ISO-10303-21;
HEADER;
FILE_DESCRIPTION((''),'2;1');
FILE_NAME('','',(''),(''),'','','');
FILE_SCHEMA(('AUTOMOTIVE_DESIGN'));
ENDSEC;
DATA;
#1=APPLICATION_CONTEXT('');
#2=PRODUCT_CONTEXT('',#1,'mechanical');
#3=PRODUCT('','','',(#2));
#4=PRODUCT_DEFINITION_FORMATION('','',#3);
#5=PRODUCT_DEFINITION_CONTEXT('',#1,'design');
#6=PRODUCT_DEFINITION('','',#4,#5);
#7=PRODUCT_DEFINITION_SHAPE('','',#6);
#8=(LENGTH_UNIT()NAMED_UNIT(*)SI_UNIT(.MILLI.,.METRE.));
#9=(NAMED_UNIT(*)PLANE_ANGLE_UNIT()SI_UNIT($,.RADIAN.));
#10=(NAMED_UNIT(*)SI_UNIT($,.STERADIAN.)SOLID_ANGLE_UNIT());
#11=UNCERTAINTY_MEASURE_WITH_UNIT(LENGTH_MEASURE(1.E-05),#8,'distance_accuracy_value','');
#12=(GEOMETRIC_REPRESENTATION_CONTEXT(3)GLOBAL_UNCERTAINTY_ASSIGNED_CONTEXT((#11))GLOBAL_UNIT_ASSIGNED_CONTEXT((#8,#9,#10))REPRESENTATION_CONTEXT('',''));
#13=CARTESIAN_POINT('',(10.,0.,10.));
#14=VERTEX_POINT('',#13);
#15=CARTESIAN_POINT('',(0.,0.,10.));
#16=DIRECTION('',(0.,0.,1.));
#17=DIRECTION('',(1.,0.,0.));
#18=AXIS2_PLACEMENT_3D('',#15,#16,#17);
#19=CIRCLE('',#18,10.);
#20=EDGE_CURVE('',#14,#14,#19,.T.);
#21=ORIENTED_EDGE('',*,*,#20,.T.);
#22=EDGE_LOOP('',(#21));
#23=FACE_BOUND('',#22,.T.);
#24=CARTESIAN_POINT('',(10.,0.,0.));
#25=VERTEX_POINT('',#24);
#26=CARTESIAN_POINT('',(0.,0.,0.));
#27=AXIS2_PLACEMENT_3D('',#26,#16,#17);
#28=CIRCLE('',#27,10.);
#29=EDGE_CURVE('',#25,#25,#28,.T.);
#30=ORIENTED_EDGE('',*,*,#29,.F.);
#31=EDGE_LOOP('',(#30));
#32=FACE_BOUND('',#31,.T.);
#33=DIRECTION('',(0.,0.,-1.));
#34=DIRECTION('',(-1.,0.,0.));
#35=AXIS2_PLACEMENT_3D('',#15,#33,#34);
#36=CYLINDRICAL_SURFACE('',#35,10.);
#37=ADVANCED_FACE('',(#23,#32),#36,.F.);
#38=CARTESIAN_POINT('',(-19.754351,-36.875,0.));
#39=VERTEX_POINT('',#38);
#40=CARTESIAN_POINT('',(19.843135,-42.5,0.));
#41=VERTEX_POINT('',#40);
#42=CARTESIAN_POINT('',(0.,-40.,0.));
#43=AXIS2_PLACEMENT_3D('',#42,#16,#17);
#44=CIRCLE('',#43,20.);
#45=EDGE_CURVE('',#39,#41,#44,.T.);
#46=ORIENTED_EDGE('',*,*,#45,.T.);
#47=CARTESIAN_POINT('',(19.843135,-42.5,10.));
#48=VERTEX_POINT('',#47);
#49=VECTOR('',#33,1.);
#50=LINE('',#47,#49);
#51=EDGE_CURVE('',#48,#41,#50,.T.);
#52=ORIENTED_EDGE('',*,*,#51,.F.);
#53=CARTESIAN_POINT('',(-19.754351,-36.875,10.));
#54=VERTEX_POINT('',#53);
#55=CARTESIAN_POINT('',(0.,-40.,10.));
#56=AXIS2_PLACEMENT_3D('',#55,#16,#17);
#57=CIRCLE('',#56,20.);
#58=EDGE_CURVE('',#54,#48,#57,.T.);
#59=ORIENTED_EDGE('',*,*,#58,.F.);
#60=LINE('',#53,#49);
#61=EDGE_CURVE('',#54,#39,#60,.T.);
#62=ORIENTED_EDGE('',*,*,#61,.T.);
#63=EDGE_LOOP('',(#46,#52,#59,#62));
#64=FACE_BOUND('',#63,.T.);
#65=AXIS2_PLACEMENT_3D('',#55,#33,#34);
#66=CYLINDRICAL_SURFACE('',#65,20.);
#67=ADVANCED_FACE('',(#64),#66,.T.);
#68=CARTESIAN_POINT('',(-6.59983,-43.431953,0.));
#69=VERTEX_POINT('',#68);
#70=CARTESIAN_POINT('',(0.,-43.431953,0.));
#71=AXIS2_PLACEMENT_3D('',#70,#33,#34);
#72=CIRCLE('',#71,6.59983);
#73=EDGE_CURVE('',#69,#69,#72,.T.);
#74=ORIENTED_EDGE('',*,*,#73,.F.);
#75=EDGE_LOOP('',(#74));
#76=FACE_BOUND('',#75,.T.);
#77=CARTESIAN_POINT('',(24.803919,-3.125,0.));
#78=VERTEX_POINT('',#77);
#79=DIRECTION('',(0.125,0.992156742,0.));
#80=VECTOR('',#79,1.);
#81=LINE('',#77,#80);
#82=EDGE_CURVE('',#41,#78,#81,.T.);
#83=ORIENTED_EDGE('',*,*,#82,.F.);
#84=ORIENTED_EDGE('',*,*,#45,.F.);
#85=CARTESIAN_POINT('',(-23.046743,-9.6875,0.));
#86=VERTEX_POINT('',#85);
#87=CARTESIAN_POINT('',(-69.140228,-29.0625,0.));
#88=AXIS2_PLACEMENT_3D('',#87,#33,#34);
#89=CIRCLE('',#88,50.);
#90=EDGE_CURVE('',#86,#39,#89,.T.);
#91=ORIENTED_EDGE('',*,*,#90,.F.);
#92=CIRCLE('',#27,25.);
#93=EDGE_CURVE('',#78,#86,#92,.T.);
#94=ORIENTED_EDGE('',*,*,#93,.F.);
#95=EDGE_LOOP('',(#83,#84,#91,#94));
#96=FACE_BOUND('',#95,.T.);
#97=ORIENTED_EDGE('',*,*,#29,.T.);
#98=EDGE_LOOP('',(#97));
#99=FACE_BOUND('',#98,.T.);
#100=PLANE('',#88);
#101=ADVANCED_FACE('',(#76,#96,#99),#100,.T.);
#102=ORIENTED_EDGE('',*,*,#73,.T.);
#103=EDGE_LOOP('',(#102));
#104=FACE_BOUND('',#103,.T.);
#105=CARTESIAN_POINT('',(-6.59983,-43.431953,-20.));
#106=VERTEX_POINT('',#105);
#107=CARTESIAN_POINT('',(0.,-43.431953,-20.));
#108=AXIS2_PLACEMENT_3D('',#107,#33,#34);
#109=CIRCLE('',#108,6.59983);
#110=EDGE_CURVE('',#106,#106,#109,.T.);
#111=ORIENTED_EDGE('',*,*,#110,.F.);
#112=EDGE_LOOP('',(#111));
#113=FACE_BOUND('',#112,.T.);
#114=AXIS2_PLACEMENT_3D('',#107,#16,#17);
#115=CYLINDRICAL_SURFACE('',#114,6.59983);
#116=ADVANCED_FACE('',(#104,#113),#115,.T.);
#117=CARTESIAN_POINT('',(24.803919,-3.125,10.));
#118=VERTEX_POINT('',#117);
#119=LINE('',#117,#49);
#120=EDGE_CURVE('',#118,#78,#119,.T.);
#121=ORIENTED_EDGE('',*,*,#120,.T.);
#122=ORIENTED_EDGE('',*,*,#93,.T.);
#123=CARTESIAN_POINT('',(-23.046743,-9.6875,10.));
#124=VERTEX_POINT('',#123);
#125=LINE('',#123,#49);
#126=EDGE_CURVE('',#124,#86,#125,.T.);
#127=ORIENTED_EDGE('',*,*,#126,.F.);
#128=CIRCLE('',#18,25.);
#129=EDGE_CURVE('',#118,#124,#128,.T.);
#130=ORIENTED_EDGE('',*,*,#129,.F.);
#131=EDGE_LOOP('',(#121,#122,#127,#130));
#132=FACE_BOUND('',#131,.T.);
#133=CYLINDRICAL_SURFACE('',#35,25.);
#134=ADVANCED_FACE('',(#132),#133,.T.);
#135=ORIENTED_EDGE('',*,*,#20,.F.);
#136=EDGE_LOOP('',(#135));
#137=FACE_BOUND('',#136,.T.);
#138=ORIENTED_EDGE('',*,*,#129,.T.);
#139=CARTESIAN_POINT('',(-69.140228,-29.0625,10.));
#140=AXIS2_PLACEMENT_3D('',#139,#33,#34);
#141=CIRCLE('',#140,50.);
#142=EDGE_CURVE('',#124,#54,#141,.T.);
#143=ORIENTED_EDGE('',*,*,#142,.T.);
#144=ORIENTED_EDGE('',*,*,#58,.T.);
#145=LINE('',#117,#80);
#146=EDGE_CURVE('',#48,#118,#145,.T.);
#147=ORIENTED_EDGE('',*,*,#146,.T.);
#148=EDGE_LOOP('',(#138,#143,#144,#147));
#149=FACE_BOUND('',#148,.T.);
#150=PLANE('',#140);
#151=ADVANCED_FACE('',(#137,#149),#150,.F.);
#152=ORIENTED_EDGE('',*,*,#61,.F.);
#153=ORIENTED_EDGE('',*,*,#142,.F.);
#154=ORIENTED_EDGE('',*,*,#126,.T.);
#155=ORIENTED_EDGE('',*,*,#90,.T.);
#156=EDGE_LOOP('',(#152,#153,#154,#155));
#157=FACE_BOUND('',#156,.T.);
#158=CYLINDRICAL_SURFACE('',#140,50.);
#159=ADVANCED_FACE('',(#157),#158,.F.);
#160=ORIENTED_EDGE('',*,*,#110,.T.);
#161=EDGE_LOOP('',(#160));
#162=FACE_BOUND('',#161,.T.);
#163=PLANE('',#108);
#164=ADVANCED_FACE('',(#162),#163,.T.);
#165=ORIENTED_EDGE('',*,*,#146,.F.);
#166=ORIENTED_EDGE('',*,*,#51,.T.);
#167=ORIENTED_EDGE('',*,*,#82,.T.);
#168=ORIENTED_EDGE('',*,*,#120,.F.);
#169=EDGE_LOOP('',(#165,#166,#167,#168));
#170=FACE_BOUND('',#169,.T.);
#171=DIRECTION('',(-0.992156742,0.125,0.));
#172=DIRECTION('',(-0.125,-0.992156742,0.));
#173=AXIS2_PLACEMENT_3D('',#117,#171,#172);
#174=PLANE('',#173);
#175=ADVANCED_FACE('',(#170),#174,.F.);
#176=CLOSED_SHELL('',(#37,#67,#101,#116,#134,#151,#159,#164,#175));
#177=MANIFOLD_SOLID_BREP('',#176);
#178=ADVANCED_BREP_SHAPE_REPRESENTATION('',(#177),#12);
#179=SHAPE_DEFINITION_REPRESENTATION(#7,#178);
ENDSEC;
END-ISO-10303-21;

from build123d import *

# Parameters (mm, degrees)
SKETCH_1_R      = 10
EXTRUDE_1_DEPTH = 10
SKETCH_2_R      = 6.599829968
EXTRUDE_2_DEPTH = 20


with BuildPart() as part:
    # 草图1 → 凸台-拉伸1 (new body)
    with BuildSketch(Plane.XY):
        with BuildLine():
            Line((24.803918541, -3.125), (19.843134833, -42.5))
            ThreePointArc((19.843134833, -42.5), (-2.812850316, -59.80120888), (-19.754350787, -36.875))
            ThreePointArc((-19.754350787, -36.875), (-19.502870979, -23.051442481), (-23.046742584, -9.6875))
            ThreePointArc((-23.046742584, -9.6875), (-3.396839472, 24.768154586), (24.803918541, -3.125))
        make_face()
        Circle(SKETCH_1_R, mode=Mode.SUBTRACT)
    extrude(amount=EXTRUDE_1_DEPTH)

    # 草图2 → 凸台-拉伸2 (add)
    with BuildSketch(Plane(origin=(0, 0, 0), x_dir=(-1, 0, 0), z_dir=(0, 0, -1))):
        with Locations((0, -43.431952643)):
            Circle(SKETCH_2_R)
    extrude(amount=EXTRUDE_2_DEPTH)


solid = part.part
